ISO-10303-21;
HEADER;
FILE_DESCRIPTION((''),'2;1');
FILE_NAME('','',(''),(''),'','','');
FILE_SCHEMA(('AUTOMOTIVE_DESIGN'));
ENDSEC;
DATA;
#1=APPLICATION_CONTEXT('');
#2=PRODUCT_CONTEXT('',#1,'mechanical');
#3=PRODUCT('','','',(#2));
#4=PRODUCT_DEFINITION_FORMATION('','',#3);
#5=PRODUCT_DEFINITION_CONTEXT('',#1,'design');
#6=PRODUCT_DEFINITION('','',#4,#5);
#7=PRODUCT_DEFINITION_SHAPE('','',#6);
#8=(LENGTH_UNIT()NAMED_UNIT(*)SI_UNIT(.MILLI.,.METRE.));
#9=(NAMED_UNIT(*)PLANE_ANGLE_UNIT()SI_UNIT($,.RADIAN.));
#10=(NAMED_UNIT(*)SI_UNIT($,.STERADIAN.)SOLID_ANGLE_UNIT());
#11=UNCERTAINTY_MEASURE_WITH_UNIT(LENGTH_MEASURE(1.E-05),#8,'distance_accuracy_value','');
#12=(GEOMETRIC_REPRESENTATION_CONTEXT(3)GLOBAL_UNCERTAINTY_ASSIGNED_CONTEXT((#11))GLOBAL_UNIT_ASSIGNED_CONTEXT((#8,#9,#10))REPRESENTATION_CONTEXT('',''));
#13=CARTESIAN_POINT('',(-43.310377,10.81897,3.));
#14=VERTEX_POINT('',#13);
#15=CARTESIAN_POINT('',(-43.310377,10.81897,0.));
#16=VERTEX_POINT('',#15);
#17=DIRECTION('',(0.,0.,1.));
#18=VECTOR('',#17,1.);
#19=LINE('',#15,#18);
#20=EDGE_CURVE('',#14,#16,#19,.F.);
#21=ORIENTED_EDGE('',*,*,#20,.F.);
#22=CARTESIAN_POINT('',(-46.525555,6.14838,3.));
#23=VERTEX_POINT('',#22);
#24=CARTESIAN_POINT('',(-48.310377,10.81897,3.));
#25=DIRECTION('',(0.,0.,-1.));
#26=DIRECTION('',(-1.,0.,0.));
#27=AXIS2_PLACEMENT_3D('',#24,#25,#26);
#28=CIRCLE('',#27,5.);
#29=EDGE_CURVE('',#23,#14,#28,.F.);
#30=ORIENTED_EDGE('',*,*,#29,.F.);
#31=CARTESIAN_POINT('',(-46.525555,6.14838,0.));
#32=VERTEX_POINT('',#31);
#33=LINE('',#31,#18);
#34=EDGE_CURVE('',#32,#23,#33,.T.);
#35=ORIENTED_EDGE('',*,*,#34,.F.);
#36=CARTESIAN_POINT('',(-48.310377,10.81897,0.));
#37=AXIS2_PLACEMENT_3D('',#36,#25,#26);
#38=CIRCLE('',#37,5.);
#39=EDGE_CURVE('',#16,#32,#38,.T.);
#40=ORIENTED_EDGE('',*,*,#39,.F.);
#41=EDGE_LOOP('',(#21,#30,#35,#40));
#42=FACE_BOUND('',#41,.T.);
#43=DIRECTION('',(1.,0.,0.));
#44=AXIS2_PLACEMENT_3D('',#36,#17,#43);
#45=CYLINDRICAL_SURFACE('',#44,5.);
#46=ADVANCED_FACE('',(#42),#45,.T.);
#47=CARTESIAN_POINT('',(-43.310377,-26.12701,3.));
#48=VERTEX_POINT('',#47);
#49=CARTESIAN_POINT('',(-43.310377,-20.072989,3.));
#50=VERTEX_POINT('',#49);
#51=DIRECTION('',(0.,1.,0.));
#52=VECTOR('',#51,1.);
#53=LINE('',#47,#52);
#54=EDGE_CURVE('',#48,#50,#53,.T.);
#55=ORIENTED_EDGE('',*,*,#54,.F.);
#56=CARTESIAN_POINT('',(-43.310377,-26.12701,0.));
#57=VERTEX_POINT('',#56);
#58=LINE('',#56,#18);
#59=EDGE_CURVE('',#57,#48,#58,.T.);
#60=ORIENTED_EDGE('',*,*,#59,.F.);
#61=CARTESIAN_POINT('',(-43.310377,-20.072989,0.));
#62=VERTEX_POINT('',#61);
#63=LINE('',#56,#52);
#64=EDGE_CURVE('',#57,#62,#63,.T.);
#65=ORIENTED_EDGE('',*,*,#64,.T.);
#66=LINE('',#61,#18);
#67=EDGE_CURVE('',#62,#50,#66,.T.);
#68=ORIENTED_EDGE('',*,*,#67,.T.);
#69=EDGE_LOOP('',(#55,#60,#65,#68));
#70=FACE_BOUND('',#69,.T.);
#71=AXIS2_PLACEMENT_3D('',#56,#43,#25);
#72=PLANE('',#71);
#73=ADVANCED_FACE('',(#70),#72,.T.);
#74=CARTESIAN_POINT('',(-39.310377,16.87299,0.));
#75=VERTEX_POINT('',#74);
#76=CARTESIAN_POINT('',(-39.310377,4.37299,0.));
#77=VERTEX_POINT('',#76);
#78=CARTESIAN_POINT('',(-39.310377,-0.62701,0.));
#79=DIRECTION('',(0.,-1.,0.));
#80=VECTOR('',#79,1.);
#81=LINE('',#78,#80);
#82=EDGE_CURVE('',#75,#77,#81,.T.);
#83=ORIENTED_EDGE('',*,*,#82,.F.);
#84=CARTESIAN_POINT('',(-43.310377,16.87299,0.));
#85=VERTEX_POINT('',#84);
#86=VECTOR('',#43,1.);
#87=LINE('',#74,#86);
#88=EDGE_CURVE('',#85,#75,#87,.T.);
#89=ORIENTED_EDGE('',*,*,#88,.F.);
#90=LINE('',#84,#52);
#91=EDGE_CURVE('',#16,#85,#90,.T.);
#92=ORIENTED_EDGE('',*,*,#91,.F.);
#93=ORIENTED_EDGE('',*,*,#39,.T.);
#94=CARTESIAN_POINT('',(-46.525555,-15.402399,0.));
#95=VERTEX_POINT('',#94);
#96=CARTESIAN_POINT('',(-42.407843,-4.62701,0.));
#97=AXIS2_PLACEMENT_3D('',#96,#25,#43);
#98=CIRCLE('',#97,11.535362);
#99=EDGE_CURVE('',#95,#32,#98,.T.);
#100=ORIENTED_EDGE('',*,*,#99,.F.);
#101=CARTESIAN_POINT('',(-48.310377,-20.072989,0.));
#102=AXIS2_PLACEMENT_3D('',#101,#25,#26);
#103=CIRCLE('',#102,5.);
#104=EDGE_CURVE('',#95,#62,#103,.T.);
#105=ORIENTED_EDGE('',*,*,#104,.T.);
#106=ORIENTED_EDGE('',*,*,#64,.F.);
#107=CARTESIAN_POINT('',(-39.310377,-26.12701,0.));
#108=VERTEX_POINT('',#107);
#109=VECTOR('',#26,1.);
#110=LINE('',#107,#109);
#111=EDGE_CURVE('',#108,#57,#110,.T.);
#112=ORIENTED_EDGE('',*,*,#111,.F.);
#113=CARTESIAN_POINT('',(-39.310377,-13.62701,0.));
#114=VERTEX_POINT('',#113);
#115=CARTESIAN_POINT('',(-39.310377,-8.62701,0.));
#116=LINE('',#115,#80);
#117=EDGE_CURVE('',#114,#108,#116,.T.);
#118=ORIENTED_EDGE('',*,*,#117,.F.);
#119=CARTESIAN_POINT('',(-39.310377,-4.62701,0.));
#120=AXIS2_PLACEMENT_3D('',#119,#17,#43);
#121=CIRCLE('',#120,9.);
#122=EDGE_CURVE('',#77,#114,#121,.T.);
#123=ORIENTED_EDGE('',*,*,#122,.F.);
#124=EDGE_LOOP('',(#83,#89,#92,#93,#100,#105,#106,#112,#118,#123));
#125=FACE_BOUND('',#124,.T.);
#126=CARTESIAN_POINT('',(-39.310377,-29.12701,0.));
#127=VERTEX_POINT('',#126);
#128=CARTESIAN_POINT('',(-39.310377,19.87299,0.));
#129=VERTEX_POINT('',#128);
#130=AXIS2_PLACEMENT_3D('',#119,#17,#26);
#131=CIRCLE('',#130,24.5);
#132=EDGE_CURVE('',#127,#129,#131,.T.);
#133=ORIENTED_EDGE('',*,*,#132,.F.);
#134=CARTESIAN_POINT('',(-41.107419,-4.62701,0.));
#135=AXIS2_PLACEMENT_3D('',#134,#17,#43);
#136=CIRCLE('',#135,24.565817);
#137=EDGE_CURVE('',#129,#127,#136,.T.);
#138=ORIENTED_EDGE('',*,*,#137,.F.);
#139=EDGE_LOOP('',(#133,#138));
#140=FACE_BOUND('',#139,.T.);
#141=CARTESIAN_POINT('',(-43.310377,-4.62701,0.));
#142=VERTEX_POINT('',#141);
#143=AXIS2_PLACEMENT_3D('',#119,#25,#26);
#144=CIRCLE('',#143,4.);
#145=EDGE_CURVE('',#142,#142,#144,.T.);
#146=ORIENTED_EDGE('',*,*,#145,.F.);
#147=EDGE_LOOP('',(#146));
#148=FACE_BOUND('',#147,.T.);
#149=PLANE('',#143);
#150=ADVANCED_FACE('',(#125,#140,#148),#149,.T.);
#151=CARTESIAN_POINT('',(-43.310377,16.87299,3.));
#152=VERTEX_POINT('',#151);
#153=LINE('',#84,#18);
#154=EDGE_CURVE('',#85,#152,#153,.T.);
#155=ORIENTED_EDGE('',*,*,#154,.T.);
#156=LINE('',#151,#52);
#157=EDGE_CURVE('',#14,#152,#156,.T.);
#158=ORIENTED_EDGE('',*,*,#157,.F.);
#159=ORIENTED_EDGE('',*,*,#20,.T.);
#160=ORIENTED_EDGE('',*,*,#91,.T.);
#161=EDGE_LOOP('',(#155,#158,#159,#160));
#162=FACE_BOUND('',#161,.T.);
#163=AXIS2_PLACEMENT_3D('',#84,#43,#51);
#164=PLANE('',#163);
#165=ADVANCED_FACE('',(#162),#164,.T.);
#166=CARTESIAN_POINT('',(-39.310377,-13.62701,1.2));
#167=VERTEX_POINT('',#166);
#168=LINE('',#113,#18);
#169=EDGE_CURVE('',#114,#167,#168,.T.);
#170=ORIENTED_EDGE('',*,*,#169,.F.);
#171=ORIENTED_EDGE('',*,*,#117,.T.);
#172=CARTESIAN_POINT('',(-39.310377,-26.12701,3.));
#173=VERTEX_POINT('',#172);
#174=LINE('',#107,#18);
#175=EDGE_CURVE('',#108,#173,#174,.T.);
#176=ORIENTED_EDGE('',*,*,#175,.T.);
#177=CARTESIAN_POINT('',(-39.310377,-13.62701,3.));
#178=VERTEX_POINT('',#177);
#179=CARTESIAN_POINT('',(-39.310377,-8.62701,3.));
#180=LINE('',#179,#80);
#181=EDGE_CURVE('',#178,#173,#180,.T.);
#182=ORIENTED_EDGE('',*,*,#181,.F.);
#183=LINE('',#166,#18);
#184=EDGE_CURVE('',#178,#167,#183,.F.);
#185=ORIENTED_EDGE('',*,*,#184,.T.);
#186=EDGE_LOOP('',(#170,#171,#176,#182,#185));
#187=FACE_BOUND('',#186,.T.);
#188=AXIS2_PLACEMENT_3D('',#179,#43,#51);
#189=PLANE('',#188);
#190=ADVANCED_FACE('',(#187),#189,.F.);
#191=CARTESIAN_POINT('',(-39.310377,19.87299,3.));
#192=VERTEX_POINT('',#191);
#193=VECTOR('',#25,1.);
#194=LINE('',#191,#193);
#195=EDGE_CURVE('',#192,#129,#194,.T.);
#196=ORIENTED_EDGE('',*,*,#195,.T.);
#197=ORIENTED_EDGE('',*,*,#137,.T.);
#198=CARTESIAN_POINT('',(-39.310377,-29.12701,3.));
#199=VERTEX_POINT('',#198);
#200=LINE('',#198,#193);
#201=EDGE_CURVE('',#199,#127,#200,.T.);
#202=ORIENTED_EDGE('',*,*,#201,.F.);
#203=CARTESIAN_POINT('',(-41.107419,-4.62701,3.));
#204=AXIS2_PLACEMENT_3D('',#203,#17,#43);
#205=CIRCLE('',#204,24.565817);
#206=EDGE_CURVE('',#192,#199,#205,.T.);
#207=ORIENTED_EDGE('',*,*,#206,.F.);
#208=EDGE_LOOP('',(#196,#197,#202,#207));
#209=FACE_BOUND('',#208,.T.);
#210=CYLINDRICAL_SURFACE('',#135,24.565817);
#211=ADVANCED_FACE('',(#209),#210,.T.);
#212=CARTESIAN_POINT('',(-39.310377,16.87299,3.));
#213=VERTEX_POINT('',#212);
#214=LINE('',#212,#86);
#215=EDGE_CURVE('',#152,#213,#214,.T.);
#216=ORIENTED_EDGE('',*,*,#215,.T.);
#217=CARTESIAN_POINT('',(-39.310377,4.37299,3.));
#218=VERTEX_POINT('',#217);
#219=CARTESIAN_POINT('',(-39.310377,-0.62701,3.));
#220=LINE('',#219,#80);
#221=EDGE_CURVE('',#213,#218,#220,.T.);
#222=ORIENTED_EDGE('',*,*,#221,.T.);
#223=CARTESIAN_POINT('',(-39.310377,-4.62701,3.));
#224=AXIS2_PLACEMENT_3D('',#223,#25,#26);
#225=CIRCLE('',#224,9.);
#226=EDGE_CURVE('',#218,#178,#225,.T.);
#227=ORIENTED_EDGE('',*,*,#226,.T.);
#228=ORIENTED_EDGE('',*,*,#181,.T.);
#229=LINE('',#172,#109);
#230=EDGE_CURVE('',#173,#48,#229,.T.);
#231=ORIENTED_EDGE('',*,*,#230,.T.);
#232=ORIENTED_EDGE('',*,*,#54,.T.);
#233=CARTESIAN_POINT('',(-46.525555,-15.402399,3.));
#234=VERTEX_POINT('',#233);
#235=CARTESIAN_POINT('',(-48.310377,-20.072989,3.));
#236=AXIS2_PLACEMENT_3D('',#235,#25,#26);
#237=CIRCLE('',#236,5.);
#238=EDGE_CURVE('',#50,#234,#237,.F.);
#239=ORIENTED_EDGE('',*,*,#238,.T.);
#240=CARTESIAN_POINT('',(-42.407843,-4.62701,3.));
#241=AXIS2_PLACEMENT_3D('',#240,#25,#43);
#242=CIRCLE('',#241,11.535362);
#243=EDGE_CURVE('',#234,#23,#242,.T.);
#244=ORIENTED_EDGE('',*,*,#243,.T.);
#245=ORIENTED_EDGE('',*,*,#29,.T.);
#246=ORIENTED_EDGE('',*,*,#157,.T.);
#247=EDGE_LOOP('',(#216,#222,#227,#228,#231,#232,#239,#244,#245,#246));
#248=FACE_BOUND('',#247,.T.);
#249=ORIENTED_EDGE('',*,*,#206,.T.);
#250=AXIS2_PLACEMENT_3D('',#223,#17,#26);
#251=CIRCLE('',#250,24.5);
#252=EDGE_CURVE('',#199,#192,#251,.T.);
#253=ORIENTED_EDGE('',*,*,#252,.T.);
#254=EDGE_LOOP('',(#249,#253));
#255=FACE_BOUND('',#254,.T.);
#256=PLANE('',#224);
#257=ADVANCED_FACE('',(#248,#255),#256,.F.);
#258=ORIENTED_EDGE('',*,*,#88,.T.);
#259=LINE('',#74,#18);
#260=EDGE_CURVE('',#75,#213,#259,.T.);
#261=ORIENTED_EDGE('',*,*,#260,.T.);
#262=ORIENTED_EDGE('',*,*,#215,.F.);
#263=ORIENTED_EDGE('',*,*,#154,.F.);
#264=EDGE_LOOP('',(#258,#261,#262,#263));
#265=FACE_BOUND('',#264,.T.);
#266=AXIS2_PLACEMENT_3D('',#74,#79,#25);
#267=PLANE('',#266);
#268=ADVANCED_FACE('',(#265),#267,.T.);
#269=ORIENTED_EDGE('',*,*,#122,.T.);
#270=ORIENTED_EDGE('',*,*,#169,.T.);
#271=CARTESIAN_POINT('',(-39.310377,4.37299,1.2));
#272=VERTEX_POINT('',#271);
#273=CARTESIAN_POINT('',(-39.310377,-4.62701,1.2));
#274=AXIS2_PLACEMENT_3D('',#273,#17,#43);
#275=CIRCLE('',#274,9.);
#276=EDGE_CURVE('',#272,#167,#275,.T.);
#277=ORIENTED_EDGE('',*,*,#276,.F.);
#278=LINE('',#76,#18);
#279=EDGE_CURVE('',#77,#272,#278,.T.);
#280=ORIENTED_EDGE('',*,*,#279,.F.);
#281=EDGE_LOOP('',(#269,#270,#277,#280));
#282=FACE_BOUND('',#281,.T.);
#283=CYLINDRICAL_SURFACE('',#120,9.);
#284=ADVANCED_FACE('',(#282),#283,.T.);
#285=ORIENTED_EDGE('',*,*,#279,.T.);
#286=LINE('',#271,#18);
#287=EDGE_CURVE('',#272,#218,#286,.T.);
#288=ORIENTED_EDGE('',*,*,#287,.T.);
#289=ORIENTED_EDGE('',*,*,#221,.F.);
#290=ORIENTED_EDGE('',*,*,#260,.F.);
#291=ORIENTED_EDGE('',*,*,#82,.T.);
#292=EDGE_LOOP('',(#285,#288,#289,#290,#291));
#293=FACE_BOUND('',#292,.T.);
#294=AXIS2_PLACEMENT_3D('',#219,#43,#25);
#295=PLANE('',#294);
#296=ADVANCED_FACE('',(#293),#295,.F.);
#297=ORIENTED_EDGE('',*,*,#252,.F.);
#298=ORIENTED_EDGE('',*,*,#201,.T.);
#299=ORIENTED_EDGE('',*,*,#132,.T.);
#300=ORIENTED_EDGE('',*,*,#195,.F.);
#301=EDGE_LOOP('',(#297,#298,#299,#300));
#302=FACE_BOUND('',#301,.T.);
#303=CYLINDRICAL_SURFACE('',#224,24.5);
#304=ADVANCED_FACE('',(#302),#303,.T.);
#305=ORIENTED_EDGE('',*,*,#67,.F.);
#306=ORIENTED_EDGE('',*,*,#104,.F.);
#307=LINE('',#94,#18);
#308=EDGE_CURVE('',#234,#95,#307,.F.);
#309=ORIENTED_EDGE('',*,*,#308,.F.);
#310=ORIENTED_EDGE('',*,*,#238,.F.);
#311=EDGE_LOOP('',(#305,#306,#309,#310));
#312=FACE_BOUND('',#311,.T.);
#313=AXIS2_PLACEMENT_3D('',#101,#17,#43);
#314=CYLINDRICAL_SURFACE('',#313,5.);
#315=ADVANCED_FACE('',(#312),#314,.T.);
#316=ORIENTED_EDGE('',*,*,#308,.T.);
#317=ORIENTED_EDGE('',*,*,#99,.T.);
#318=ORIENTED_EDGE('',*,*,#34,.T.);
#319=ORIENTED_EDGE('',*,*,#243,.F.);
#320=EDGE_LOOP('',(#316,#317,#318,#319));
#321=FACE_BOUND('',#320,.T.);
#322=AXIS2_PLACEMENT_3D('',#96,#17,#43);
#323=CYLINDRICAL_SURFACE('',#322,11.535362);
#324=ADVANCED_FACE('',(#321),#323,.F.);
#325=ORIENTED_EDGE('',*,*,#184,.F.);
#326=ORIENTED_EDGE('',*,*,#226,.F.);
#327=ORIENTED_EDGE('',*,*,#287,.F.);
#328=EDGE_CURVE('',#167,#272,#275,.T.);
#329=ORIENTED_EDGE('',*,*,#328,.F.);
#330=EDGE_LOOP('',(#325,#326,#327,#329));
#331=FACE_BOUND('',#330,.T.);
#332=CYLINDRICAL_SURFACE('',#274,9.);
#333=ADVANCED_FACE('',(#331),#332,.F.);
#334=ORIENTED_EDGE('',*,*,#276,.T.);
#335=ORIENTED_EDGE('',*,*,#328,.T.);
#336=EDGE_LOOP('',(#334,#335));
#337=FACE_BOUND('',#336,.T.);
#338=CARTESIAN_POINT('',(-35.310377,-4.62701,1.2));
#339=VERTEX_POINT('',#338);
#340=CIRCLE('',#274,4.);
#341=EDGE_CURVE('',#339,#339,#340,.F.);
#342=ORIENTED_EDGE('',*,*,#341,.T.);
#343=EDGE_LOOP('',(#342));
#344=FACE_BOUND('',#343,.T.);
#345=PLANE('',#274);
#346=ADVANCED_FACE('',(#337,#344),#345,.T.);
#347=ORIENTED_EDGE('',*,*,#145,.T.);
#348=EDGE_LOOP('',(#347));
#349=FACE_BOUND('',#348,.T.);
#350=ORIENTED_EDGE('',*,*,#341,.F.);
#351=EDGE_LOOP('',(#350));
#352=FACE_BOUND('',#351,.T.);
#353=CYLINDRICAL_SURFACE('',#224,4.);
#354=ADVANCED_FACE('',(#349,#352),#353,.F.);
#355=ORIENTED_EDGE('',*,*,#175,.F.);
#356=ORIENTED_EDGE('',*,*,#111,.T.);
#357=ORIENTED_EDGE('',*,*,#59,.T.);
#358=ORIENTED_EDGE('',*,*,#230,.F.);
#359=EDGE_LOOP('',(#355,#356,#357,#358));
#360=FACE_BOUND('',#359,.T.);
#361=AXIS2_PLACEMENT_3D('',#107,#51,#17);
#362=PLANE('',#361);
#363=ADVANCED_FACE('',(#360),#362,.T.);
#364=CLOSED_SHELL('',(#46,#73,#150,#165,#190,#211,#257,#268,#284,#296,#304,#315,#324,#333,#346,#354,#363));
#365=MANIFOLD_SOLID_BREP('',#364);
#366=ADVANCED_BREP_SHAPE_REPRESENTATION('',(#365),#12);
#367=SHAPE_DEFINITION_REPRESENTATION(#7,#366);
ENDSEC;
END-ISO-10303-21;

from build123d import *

# Parameters (mm, degrees)
SALIENTE_EXTRUIR1_DEPTH = 3
CROQUIS2_R              = 9
CORTAR_EXTRUIR1_DEPTH   = 1.8
SALIENTE_EXTRUIR2_DEPTH = 1.2
SALIENTE_EXTRUIR3_DEPTH = 3
REDONDEO1_R             = 5


with BuildPart() as part:
    # Croquis1 → Saliente-Extruir1 (new body)
    with BuildSketch(Plane.XY):
        with BuildLine():
            Line((-39.310376575, -0.627009646), (-39.310376575, 19.872990354))
            ThreePointArc((-39.310376575, 19.872990354), (-14.810376575, -4.627009646), (-39.310376575, -29.127009646))
            Line((-39.310376575, -29.127009646), (-39.310376575, -8.627009646))
            ThreePointArc((-39.310376575, -8.627009646), (-35.310376575, -4.627009646), (-39.310376575, -0.627009646))
        make_face()
    extrude(amount=SALIENTE_EXTRUIR1_DEPTH)

    # Croquis2 → Cortar-Extruir1 (cut)
    with BuildSketch(Plane.XY.offset(3)):
        with Locations((-39.310376575, -4.627009646)):
            Circle(CROQUIS2_R)
    extrude(amount=-CORTAR_EXTRUIR1_DEPTH, mode=Mode.SUBTRACT)

    # Croquis3 → Saliente-Extruir2 (add)
    with BuildSketch(Plane.XY.offset(1.2)):
        with BuildLine():
            Line((-39.310376575, 4.372990354), (-39.310376575, -0.627009646))
            ThreePointArc((-39.310376575, -0.627009646), (-43.310376575, -4.627009646), (-39.310376575, -8.627009646))
            Line((-39.310376575, -8.627009646), (-39.310376575, -13.627009646))
            ThreePointArc((-39.310376575, -13.627009646), (-48.310376575, -4.627009646), (-39.310376575, 4.372990354))
        make_face()
    extrude(amount=-SALIENTE_EXTRUIR2_DEPTH)

    # Croquis4 → Saliente-Extruir3 (add)
    with BuildSketch(Plane.XY.offset(3)):
        with BuildLine():
            Line((-39.310376575, 19.872990354), (-39.310376575, 16.872990354))
            Line((-39.310376575, 16.872990354), (-43.310376575, 16.872990354))
            Line((-43.310376575, 16.872990354), (-43.310376575, 6.872990354))
            ThreePointArc((-43.310376575, 6.872990354), (-53.943204224, -4.627009646), (-43.310376575, -16.127009646))
            Line((-43.310376575, -16.127009646), (-43.310376575, -26.127009646))
            Line((-43.310376575, -26.127009646), (-39.310376575, -26.127009646))
            Line((-39.310376575, -26.127009646), (-39.310376575, -29.127009646))
            ThreePointArc((-39.310376575, -29.127009646), (-65.673236128, -4.627009646), (-39.310376575, 19.872990354))
        make_face()
    extrude(amount=-SALIENTE_EXTRUIR3_DEPTH)

    # Redondeo1
    redondeo1_edges = [part.edges().sort_by_distance(p)[0] for p in [
        (-43.310376575, 6.872990354, 1.5),
        (-43.310376575, -16.127009646, 1.5),
    ]]
    fillet(redondeo1_edges, radius=REDONDEO1_R)


solid = part.part
